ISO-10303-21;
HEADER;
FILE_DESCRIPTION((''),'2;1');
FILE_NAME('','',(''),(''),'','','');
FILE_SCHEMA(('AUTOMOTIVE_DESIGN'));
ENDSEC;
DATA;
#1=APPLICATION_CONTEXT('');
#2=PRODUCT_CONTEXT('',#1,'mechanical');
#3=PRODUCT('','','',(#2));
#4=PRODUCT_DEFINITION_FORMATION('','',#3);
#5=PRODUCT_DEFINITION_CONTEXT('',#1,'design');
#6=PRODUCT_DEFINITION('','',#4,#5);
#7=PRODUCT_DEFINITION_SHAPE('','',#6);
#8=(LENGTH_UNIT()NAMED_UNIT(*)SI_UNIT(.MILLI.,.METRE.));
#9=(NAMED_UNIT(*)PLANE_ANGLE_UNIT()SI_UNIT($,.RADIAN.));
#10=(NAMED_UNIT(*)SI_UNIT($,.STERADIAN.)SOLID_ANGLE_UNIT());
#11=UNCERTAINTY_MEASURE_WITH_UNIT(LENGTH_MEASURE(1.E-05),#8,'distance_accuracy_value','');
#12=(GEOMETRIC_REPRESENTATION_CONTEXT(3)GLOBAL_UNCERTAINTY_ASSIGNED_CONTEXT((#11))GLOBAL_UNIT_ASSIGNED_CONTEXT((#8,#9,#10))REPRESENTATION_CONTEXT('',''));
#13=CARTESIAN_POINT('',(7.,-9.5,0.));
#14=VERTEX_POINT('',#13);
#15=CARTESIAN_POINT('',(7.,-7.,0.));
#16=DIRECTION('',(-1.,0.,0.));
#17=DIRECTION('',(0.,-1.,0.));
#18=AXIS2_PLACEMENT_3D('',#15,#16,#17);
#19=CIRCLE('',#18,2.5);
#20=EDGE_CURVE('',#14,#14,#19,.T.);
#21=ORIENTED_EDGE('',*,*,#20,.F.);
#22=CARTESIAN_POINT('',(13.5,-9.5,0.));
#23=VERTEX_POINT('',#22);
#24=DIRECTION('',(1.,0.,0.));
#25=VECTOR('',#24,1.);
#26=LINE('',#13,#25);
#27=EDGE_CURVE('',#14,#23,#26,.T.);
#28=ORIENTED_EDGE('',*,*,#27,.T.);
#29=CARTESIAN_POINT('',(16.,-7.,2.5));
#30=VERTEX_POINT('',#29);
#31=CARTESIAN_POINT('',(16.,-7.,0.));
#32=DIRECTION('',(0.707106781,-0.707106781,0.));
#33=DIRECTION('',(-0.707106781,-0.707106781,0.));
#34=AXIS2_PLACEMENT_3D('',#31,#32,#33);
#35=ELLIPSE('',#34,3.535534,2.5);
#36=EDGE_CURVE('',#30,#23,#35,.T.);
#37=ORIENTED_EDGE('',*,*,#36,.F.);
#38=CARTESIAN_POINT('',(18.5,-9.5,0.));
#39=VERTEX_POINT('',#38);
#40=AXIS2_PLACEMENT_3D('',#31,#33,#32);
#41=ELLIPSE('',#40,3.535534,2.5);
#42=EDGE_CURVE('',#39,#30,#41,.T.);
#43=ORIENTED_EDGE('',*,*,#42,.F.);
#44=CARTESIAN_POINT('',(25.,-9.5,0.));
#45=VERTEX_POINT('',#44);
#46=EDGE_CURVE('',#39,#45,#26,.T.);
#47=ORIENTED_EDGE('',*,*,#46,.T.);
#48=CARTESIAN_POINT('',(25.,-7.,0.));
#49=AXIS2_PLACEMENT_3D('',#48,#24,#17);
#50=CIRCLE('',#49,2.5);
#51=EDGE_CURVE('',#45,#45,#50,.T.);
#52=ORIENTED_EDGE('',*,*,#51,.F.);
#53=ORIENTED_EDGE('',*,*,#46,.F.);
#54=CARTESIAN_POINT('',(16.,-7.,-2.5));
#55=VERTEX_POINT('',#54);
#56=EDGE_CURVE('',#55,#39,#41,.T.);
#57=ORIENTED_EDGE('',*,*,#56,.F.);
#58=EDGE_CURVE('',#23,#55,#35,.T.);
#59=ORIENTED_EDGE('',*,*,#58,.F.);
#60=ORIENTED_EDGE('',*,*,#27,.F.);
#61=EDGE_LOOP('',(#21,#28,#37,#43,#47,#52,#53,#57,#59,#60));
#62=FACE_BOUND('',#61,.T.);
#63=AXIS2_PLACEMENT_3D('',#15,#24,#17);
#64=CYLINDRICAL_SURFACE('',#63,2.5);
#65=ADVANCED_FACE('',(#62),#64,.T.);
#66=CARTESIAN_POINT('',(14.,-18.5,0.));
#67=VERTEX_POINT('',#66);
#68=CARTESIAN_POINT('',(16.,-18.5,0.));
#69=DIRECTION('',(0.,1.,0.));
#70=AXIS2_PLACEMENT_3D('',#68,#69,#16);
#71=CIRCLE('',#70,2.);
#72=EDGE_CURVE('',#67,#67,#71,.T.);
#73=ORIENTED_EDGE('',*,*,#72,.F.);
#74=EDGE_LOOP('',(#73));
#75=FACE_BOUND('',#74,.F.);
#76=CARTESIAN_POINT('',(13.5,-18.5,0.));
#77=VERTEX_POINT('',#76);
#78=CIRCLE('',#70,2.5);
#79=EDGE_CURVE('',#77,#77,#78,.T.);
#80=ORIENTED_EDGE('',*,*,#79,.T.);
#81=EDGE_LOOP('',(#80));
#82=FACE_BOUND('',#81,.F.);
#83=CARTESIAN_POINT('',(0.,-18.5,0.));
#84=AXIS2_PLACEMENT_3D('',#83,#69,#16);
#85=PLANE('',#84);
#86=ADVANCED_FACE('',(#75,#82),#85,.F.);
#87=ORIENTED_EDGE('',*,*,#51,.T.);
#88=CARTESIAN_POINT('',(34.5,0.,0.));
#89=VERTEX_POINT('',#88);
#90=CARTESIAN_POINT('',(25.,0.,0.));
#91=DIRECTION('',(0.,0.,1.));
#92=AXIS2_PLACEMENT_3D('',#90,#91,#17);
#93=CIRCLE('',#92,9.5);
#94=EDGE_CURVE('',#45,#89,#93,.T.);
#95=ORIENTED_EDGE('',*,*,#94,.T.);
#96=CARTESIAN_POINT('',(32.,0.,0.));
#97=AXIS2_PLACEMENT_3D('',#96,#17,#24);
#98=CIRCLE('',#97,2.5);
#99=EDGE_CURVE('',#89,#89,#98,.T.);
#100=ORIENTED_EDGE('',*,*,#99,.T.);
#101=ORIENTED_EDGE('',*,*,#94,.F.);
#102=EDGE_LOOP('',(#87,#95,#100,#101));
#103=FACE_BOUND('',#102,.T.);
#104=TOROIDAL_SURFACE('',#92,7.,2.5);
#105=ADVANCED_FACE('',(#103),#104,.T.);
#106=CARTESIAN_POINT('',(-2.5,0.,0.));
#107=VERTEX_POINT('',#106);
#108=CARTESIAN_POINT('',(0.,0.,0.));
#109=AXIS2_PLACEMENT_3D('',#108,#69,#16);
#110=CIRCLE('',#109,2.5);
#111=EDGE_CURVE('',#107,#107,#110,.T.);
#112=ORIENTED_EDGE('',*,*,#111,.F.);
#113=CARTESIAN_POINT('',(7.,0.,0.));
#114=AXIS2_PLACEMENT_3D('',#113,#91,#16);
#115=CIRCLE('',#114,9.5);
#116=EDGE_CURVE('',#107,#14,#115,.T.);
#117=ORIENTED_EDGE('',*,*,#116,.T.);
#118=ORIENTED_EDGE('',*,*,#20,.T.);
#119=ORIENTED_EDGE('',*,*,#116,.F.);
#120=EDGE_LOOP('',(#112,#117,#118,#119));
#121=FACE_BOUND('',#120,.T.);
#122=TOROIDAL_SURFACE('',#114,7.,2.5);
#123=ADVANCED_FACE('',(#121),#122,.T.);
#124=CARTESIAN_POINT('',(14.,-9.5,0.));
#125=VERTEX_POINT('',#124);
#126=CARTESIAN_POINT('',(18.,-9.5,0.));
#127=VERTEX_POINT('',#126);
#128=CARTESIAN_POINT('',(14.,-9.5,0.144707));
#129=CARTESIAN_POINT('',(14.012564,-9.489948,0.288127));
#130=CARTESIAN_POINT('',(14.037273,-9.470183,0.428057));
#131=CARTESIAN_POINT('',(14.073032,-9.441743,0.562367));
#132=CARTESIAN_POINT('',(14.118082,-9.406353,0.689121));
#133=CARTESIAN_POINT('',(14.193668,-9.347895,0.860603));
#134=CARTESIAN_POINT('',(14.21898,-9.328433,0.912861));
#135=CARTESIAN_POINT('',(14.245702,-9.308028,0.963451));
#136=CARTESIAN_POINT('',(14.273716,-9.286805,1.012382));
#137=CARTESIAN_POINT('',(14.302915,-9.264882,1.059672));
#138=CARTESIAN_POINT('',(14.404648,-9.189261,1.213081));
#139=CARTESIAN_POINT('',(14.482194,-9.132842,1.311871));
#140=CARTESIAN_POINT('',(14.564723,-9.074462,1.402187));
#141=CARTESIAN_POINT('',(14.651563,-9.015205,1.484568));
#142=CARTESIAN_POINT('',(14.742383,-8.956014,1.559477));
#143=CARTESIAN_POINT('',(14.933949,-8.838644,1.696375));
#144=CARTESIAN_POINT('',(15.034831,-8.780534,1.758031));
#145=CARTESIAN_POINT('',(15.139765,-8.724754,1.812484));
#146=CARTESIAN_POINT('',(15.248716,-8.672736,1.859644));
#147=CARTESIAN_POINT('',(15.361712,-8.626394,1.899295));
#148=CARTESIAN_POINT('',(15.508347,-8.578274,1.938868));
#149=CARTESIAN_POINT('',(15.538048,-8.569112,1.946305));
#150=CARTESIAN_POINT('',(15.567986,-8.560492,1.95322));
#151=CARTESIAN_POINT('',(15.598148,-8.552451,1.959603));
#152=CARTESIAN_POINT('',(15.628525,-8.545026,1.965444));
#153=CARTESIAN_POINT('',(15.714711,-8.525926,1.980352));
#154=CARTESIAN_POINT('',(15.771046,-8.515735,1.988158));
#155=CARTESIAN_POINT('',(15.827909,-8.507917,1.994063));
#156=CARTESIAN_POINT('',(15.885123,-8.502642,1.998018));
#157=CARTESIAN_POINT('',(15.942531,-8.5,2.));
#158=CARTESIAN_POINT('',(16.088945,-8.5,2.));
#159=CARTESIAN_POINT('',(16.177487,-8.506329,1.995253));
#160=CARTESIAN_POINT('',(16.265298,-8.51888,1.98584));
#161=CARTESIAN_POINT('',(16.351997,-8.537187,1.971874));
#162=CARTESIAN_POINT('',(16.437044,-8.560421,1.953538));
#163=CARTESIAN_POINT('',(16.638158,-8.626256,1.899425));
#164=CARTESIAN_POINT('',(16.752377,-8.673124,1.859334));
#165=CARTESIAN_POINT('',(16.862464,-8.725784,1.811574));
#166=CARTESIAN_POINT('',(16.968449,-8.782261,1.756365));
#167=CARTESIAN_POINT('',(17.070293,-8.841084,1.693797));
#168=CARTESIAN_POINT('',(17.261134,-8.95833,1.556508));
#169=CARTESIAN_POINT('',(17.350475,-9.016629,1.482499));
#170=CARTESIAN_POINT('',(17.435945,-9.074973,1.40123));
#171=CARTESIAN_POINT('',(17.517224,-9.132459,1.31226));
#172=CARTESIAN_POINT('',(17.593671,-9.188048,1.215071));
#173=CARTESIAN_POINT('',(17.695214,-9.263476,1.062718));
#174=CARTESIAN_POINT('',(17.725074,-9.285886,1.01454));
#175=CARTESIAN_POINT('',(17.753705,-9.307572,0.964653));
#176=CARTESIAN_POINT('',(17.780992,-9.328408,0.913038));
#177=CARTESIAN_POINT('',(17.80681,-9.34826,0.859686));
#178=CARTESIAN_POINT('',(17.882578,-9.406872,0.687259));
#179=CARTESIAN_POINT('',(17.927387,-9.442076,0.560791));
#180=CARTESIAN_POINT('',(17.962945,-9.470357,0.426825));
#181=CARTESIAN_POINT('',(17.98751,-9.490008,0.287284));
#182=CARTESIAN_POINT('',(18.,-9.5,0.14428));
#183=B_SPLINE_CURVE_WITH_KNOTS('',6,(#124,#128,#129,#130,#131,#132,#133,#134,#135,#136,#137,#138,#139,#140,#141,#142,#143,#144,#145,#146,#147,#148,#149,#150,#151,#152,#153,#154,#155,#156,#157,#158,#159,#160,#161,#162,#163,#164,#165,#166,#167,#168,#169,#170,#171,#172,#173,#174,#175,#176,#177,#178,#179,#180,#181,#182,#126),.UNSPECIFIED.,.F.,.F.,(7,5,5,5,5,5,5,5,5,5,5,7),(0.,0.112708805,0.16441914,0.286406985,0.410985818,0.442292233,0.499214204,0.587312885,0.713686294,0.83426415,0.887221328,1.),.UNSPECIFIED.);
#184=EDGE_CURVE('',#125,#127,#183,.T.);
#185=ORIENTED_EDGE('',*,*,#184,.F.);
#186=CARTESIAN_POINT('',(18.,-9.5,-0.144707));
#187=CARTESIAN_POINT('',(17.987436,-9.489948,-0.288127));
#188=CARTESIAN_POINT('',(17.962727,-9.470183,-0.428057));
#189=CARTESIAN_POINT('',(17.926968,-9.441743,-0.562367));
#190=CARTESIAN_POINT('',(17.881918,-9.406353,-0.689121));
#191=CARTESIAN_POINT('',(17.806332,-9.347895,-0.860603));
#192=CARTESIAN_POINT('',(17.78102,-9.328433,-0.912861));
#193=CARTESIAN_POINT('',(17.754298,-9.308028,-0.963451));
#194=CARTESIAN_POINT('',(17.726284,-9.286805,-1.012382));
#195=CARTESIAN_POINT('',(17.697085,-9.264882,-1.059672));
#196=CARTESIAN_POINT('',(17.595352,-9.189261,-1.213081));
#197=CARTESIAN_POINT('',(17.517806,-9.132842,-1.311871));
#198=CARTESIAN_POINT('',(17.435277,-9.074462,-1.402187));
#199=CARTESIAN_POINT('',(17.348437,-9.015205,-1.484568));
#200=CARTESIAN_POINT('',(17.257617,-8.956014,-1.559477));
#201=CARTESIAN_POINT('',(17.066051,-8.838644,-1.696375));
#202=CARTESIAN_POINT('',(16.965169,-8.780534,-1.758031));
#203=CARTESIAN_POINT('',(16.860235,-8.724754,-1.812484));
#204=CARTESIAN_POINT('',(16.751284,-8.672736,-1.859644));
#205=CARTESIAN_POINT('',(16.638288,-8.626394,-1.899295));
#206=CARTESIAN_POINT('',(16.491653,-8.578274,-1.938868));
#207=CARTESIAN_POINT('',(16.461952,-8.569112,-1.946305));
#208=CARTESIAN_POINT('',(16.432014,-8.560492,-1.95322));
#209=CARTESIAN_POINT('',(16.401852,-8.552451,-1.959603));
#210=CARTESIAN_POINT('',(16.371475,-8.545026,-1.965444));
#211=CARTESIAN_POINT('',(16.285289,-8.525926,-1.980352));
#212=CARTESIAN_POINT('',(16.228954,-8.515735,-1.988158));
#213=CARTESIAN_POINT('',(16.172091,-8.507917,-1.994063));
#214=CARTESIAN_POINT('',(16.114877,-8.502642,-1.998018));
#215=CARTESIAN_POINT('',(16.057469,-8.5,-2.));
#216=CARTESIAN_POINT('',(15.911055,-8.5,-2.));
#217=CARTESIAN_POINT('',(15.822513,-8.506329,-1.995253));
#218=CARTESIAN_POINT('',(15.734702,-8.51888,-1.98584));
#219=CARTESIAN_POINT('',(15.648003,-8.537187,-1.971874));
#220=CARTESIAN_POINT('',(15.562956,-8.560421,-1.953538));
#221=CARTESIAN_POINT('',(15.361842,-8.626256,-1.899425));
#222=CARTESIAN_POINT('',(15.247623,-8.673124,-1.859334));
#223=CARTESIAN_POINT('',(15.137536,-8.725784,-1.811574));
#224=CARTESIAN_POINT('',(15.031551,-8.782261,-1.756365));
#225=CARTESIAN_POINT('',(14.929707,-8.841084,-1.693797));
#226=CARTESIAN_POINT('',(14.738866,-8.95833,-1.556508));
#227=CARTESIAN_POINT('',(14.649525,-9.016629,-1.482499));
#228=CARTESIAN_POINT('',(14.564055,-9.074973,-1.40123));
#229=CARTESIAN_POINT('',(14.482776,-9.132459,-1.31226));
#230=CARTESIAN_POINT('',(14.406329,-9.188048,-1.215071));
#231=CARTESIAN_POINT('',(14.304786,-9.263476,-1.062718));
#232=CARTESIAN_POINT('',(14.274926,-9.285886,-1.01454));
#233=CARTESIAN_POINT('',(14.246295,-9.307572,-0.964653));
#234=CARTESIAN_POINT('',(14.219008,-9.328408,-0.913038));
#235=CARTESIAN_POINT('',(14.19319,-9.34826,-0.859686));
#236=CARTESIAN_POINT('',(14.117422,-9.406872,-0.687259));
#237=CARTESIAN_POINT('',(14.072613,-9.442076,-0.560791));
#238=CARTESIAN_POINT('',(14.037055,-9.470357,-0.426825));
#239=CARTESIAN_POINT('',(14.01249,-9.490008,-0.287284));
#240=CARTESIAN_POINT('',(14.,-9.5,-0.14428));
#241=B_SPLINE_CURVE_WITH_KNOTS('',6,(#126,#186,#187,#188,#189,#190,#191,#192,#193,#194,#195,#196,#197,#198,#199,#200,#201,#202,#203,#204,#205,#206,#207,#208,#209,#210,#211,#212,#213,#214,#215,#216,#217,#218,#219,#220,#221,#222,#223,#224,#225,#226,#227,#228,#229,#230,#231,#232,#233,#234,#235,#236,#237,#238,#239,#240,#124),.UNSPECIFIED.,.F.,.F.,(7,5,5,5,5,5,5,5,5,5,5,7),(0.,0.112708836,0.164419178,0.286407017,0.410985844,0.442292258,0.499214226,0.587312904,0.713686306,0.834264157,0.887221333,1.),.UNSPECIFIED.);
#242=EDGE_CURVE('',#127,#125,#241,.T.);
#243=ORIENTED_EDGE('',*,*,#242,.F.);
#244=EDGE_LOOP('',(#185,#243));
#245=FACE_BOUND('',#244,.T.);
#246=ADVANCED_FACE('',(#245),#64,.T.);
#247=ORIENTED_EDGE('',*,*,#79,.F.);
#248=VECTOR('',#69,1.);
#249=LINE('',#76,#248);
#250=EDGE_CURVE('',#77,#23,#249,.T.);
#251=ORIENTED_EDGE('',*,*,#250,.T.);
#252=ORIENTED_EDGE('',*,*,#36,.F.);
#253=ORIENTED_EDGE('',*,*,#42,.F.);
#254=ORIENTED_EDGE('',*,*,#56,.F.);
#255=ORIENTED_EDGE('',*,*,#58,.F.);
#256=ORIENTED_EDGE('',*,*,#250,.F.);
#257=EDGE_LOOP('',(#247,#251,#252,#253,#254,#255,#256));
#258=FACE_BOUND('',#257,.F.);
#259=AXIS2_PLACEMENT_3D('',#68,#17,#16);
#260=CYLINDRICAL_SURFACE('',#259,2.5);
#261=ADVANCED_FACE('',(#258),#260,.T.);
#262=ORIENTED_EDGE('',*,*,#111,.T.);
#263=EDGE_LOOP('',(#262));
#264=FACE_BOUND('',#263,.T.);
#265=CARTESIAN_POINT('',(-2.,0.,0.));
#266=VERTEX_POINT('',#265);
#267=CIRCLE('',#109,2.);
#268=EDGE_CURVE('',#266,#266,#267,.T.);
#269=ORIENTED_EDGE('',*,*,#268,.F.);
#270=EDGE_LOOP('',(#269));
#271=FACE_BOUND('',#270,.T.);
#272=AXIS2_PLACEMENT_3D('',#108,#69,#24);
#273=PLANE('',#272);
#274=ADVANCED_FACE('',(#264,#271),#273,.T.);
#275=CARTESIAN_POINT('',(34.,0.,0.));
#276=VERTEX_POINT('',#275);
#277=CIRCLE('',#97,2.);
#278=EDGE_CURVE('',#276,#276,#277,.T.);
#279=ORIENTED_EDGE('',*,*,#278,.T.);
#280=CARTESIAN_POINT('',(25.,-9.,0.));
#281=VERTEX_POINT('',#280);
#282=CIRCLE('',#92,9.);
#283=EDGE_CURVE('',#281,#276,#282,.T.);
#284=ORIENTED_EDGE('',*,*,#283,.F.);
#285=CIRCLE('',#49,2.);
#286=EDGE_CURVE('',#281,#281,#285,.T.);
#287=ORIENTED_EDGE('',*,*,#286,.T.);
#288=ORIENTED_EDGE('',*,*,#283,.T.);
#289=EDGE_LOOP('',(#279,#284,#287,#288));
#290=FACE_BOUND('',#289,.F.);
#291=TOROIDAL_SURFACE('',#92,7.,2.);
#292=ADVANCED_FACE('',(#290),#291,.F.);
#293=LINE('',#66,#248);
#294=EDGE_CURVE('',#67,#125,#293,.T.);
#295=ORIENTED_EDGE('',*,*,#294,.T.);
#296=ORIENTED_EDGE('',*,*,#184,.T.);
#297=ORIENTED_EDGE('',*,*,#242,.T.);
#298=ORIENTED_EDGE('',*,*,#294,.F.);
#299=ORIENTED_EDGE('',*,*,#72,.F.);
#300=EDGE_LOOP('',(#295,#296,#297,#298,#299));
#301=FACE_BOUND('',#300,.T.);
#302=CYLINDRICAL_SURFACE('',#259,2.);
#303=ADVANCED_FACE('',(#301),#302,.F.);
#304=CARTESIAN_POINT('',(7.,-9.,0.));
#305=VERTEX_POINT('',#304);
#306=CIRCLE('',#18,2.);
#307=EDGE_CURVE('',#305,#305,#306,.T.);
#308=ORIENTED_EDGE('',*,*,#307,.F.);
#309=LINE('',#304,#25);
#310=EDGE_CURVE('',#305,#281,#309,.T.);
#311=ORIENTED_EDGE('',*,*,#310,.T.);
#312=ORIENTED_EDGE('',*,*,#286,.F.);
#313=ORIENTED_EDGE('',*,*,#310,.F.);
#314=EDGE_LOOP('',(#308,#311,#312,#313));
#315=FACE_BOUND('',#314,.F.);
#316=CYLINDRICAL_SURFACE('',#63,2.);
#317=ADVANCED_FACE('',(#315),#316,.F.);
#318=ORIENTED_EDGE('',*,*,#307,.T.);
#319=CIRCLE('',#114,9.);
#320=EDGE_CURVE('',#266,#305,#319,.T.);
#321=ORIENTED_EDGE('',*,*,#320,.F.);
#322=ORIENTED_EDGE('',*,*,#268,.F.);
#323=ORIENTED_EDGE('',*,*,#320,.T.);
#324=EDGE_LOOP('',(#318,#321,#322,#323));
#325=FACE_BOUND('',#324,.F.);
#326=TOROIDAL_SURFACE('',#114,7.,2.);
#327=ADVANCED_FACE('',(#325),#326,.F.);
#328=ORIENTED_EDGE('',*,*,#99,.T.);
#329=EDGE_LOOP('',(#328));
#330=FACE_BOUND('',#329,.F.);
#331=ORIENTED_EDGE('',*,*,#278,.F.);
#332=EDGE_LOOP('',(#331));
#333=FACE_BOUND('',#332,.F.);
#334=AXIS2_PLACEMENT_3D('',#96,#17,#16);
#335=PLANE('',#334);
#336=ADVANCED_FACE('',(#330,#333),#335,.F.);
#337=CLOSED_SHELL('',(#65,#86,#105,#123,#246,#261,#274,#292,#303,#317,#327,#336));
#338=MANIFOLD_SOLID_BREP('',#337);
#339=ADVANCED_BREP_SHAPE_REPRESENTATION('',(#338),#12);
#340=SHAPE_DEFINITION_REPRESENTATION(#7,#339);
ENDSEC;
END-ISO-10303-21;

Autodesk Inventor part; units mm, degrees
ref_plane "YZ Plane" through (0, 0, 0) normal (1, 0, 0) x (0, 1, 0)
ref_plane "XY Plane" through (0, 0, 0) normal (0, 0, 1) x (1, 0, 0)
sketch "Sketch1" plane through (0, 0, 0) normal (0, 1, 0) x (-1, 0, 0)
  circle A0 centre (0, 0) radius 2.5
  circle A1 centre (0, 0) radius 2
  dimension "d0" = 5
  dimension "d1" = 4
sketch "Sketch2" plane through (0, 0, 0) normal (0, 0, 1) x (1, 0, 0)
  line L0 (0, 0) -> (0, 0)
  line L1 (7, -7) -> (25, -7)
  line L2 (32, 0) -> (32, 0)
  arc A0 (0, 0) -> (7, -7) centre (7, 0) ccw
  arc A1 (25, -7) -> (32, 0) centre (25, 0) ccw
  point P0 (0, -7)
  point P1 (32, -7)
  dimension "d3" = 32
  dimension "d4" = 7
  dimension "d5" = 7
sweep "Sweep1" add profiles "Sketch1" path "Sketch2"
ref_plane "Work Plane1" through (0, -18.5, 0) normal (0, 1, 0) x (-1, 0, 0)
sketch "Sketch3" plane through (0, -18.5, 0) normal (0, 1, 0) x (-1, 0, 0)
  circle A0 centre (-16, 0) radius 2.5
  circle A1 centre (0, 0) radius 2.5 projected
  circle A2 centre (-16, 0) radius 2
  dimension "d9" = 5
  dimension "d10" = 16
  dimension "d11" = 4
extrude "Extrusion1" add sketch "Sketch3" along normal up to surface contours A0
properties part number "25"
